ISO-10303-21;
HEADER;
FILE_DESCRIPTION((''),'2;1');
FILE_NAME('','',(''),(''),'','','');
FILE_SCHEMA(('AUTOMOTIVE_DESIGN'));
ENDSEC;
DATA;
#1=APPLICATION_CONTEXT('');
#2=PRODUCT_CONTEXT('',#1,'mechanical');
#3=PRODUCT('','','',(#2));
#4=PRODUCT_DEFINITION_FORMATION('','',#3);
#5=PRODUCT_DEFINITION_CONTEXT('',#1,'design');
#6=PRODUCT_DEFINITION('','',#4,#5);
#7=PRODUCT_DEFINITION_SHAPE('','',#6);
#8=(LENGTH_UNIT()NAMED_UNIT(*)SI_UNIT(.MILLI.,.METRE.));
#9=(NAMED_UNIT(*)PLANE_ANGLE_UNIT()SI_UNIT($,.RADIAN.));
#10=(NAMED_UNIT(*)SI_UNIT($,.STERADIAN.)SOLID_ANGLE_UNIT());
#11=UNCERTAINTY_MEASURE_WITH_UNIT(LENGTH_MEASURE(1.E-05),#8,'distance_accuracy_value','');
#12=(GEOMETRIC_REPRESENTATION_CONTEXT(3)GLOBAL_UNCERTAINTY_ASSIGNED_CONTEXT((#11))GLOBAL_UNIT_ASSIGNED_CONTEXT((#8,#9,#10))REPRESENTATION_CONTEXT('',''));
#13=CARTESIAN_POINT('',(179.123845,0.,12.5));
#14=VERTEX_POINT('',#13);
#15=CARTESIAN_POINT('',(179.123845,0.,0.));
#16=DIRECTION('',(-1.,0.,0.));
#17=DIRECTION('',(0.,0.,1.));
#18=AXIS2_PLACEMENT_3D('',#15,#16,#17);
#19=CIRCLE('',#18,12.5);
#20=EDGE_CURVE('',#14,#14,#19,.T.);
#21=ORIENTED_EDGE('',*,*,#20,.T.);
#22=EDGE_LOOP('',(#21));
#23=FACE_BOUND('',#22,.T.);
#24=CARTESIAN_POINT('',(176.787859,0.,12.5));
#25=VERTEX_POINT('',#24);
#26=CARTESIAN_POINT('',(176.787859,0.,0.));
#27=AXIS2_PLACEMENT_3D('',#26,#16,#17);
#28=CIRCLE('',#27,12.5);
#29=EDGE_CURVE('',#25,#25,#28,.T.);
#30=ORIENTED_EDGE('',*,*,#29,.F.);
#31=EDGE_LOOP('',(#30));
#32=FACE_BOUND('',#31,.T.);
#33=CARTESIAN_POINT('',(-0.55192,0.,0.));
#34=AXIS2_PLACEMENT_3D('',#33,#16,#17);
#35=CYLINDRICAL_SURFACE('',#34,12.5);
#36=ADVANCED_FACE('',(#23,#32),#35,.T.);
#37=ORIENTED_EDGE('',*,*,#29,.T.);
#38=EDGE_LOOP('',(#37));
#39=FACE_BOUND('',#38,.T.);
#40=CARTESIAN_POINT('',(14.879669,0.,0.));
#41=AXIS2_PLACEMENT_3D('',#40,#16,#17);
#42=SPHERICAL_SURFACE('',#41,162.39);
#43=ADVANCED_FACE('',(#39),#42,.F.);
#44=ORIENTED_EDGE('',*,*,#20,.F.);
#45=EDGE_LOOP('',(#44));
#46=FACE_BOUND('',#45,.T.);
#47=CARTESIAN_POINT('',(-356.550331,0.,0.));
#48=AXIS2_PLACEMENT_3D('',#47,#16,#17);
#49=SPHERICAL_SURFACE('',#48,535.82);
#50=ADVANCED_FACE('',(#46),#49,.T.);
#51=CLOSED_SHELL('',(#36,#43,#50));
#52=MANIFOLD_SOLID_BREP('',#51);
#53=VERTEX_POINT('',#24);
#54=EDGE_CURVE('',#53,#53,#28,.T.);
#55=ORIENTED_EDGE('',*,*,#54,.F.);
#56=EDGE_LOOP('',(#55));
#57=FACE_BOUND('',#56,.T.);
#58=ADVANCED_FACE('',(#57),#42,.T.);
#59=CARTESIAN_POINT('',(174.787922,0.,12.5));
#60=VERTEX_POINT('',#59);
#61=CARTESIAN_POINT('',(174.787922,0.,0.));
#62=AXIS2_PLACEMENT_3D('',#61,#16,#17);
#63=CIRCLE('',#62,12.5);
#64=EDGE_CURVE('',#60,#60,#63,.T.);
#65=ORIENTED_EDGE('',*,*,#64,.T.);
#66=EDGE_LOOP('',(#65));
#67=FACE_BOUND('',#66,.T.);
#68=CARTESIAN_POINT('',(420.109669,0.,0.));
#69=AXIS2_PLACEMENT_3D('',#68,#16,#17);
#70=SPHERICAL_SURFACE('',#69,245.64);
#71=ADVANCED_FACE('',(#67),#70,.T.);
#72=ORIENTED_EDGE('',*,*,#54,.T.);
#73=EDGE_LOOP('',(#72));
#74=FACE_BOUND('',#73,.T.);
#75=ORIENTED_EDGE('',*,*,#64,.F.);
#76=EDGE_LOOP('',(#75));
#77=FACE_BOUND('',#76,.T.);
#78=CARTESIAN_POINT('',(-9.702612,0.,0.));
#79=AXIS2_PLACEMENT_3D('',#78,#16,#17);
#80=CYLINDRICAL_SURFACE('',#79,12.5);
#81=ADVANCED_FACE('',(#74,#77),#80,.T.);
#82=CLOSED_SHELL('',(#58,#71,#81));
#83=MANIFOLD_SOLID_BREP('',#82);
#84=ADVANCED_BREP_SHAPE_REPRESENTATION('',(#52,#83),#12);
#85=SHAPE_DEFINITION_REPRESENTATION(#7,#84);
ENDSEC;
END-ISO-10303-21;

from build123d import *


with BuildPart() as part:
    # 草图1 one side → 旋转1 (revolve)
    with BuildSketch(Plane(origin=(0, 0, 0), x_dir=(1, 0, 0), z_dir=(0, 1, 0)), mode=Mode.PRIVATE) as revolve_1_sk:
        with BuildLine():
            ThreePointArc((174.787921874, 12.5), (174.549245088, 6.25202537), (174.469668974, 0))
            Line((174.469668974, 0), (177.269668974, 0))
            ThreePointArc((177.269668974, 0), (177.149171853, 6.254641088), (176.787859316, 12.5))
            Line((176.787859316, 12.5), (174.787921874, 12.5))
        make_face()
    revolve(revolve_1_sk.sketch.rotate(Axis((-9.702612178, 0, 0), (1, 0, 0)), 180), axis=Axis((-9.702612178, 0, 0), (1, 0, 0)))  # turned: the seam where the file's is


with BuildPart() as body_2:
    # 草图2 one side → 旋转3 (revolve)
    with BuildSketch(Plane(origin=(0, 0, 0), x_dir=(1, 0, 0), z_dir=(0, 1, 0)), mode=Mode.PRIVATE) as revolve_3_sk:
        with BuildLine():
            Line((179.123844569, 12.5), (176.787859316, 12.5))
            ThreePointArc((176.787859316, 12.5), (177.149171853, 6.254641088), (177.269668974, 0))
            Line((177.269668974, 0), (179.269668974, 0))
            ThreePointArc((179.269668974, 0), (179.233211632, 6.250425281), (179.123844569, 12.5))
        make_face()
    revolve(revolve_3_sk.sketch.rotate(Axis((-0.551919993, 0, 0), (1, 0, 0)), 180), axis=Axis((-0.551919993, 0, 0), (1, 0, 0)))  # turned: the seam where the file's is


solid = Compound([part.part, body_2.part])
